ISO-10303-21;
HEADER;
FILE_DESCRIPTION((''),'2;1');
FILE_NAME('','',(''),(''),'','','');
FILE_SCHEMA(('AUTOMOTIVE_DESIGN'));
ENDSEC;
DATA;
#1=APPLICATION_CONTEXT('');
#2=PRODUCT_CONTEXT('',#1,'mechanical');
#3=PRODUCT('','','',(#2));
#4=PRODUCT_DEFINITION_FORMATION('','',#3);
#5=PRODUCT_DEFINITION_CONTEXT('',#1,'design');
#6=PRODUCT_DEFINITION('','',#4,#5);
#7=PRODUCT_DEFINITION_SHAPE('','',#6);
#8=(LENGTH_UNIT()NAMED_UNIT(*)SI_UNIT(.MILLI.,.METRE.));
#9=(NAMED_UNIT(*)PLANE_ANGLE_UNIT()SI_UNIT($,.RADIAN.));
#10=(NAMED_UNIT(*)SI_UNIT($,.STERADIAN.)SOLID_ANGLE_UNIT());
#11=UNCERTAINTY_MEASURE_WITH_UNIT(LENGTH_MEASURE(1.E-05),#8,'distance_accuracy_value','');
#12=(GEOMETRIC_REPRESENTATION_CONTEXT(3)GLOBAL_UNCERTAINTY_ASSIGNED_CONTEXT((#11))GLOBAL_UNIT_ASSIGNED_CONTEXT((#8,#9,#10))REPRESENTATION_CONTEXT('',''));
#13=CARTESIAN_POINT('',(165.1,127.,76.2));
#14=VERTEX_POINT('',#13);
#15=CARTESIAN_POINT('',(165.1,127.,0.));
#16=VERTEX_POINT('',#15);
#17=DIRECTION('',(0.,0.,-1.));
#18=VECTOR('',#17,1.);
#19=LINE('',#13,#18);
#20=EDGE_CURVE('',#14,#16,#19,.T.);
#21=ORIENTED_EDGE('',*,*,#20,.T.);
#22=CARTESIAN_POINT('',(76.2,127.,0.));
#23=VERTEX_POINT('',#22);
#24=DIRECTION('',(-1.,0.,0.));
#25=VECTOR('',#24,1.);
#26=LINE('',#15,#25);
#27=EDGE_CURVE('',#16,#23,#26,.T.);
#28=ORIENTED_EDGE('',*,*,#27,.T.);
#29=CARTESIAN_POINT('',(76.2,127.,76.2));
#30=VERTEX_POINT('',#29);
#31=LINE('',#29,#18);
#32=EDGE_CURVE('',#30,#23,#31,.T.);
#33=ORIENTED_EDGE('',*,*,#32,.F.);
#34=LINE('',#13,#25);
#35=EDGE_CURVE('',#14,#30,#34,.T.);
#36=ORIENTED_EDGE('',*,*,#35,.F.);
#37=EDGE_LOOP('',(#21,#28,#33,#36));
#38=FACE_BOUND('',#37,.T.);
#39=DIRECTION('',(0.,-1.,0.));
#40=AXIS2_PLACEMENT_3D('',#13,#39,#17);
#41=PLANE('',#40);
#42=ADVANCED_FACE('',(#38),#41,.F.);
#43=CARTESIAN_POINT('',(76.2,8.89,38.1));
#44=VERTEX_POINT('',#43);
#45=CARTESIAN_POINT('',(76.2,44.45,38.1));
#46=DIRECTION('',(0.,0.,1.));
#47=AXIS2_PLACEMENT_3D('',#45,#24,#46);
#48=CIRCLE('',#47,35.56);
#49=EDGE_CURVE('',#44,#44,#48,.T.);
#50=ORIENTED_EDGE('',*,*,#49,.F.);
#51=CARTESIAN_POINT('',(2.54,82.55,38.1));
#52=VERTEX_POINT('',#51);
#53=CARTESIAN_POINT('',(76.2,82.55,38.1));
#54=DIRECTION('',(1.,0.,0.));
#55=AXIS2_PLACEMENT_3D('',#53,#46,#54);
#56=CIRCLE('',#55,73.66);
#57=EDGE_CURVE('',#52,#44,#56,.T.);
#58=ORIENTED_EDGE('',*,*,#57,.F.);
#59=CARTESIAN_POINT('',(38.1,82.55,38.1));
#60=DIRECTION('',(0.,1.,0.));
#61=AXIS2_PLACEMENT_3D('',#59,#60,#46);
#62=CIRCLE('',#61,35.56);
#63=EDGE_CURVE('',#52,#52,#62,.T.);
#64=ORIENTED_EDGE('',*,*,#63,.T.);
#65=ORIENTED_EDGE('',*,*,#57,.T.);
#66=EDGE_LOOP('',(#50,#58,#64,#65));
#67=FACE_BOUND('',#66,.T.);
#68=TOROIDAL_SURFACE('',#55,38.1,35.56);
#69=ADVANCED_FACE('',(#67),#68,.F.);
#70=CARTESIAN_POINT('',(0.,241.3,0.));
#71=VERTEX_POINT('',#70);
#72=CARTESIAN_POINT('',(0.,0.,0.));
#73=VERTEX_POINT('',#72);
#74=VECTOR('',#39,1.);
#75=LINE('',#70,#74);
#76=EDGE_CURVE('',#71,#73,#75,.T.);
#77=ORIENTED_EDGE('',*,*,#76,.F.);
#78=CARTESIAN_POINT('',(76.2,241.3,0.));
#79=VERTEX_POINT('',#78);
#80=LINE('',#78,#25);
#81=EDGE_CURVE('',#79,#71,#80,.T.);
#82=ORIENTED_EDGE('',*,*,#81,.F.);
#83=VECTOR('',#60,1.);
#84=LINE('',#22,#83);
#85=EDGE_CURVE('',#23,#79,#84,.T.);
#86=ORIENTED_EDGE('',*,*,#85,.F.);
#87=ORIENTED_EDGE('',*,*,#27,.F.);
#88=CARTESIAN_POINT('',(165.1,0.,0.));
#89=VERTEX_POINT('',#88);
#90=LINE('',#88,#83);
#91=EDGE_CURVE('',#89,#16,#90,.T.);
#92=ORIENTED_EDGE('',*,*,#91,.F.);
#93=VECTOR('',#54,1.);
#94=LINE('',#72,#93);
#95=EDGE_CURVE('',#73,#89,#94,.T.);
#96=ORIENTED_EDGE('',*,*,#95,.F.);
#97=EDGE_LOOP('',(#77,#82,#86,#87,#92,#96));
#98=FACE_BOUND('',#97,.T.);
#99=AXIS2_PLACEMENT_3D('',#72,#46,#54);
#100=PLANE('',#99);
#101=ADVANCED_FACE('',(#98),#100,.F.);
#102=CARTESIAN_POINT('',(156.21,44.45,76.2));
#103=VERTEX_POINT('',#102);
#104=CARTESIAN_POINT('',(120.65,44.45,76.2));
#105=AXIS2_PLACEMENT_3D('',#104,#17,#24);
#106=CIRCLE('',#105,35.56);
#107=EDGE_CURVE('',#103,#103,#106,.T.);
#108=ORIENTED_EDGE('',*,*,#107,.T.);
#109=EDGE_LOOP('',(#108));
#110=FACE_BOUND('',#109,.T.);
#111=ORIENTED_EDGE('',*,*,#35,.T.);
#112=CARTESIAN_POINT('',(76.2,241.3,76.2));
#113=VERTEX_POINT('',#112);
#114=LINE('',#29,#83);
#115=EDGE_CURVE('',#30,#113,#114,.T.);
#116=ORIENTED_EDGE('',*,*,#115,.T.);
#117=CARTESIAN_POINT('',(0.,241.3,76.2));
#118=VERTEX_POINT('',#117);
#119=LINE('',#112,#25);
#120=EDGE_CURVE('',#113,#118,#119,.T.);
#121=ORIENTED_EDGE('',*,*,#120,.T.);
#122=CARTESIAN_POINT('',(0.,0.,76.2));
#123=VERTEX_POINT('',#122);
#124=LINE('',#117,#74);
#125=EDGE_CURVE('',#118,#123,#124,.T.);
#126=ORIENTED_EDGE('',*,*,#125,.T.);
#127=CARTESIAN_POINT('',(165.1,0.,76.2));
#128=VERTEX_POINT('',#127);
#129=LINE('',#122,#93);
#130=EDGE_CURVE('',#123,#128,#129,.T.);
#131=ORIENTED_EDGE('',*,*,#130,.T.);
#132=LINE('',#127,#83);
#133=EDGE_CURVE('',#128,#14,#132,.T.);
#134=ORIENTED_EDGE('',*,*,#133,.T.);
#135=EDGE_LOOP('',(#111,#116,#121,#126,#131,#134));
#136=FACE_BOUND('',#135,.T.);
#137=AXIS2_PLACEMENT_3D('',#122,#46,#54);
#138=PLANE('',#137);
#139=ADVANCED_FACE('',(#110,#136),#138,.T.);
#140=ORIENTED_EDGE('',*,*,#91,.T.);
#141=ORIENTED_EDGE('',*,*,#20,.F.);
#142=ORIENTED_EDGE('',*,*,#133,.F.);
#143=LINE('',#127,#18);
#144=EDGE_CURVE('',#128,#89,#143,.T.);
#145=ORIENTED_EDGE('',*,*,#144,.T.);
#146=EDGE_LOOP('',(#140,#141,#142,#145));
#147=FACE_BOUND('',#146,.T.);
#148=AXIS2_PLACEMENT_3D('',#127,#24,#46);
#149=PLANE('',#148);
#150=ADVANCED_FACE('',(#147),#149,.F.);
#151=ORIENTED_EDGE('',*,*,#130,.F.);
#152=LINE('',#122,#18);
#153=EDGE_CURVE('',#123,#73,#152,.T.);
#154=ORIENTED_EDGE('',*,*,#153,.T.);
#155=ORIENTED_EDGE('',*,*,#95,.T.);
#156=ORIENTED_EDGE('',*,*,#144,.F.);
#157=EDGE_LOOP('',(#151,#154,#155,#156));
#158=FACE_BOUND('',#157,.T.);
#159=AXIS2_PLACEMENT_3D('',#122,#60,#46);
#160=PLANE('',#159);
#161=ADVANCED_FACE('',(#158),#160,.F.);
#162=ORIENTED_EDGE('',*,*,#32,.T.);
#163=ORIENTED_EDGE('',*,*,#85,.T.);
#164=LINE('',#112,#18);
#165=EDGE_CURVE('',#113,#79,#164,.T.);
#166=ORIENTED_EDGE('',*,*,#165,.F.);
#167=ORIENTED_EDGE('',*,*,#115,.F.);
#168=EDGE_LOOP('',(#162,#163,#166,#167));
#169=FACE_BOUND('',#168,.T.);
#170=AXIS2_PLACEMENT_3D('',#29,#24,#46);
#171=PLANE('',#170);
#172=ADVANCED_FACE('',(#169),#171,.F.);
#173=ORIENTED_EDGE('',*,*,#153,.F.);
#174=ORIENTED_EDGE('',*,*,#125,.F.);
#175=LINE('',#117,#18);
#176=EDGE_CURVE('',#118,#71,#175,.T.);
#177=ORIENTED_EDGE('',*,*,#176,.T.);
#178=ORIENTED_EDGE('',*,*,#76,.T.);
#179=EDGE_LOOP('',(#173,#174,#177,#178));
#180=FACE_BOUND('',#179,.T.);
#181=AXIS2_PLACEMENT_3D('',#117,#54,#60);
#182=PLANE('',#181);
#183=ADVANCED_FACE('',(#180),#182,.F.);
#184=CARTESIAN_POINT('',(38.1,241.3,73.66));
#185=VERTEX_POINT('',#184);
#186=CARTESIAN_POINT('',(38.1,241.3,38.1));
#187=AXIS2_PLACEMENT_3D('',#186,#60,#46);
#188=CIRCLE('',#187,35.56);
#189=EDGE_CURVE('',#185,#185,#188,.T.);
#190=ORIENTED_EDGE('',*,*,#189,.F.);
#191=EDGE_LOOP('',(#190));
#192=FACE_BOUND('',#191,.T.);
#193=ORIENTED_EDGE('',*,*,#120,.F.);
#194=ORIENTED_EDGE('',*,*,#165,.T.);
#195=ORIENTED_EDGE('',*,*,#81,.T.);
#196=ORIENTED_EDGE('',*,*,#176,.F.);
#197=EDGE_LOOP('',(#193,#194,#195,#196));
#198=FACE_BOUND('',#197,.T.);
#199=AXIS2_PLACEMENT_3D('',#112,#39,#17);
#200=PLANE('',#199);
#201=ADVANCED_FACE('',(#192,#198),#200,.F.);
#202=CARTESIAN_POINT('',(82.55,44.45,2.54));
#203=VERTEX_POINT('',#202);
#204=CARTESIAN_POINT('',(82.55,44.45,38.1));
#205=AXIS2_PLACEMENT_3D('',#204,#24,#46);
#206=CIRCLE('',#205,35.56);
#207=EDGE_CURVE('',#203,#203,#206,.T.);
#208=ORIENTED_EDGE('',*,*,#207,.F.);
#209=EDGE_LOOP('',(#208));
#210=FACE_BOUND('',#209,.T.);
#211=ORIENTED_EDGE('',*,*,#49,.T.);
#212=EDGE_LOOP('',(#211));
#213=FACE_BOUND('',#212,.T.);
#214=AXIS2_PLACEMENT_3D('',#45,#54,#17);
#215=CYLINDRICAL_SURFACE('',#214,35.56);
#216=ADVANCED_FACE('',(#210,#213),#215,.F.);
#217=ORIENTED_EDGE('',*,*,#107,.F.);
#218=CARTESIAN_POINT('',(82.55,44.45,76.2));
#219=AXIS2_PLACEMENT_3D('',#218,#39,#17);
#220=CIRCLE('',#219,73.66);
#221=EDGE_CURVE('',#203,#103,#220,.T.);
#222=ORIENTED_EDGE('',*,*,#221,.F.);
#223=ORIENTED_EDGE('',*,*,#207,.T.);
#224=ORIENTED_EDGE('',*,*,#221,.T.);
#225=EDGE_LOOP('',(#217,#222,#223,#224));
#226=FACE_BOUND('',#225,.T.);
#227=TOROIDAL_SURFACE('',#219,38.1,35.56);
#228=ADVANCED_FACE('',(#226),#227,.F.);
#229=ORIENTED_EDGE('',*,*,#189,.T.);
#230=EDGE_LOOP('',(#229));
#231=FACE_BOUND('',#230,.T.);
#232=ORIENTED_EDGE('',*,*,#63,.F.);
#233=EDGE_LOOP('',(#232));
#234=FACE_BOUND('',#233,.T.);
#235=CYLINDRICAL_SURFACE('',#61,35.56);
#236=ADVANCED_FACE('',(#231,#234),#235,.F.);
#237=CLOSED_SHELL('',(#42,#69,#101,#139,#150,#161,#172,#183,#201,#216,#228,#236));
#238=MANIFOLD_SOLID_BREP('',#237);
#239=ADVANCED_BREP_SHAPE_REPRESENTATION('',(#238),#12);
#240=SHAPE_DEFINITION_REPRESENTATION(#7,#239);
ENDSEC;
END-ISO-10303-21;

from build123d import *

# Parameters (mm, degrees)
BOSS_EXTRUDE1_DEPTH = 76.2
SKETCH2_R           = 35.56


with BuildPart() as part:
    # Sketch1 → Boss-Extrude1 (new body)
    with BuildSketch(Plane.XY):
        Polygon((0, 241.3), (0, 0), (165.1, 0), (165.1, 127), (76.2, 127), (76.2, 241.3), align=None)
    extrude(amount=BOSS_EXTRUDE1_DEPTH)

    # Cut-Sweep1: sweep along a curve in space
    with BuildLine() as cut_sweep1_path:
        Line((38.1, 241.3, 38.1), (38.1, 82.55, 38.1))
        ThreePointArc((38.1, 82.55, 38.1), (49.259231637, 55.609231637, 38.1), (76.2, 44.45, 38.1))
        Line((76.2, 44.45, 38.1), (82.55, 44.45, 38.1))
        ThreePointArc((120.65, 44.45, 76.2), (109.490768363, 44.45, 49.259231637), (82.55, 44.45, 38.1))
    # Sketch2 → Cut-Sweep1 (sweep, cut)
    with BuildSketch(Plane(origin=(0, 241.3, 0), x_dir=(1, 0, 0), z_dir=(0, 1, 0))):
        with Locations((38.1, -38.1)):
            Circle(SKETCH2_R)
    sweep(path=cut_sweep1_path.line, mode=Mode.SUBTRACT)


solid = part.part
